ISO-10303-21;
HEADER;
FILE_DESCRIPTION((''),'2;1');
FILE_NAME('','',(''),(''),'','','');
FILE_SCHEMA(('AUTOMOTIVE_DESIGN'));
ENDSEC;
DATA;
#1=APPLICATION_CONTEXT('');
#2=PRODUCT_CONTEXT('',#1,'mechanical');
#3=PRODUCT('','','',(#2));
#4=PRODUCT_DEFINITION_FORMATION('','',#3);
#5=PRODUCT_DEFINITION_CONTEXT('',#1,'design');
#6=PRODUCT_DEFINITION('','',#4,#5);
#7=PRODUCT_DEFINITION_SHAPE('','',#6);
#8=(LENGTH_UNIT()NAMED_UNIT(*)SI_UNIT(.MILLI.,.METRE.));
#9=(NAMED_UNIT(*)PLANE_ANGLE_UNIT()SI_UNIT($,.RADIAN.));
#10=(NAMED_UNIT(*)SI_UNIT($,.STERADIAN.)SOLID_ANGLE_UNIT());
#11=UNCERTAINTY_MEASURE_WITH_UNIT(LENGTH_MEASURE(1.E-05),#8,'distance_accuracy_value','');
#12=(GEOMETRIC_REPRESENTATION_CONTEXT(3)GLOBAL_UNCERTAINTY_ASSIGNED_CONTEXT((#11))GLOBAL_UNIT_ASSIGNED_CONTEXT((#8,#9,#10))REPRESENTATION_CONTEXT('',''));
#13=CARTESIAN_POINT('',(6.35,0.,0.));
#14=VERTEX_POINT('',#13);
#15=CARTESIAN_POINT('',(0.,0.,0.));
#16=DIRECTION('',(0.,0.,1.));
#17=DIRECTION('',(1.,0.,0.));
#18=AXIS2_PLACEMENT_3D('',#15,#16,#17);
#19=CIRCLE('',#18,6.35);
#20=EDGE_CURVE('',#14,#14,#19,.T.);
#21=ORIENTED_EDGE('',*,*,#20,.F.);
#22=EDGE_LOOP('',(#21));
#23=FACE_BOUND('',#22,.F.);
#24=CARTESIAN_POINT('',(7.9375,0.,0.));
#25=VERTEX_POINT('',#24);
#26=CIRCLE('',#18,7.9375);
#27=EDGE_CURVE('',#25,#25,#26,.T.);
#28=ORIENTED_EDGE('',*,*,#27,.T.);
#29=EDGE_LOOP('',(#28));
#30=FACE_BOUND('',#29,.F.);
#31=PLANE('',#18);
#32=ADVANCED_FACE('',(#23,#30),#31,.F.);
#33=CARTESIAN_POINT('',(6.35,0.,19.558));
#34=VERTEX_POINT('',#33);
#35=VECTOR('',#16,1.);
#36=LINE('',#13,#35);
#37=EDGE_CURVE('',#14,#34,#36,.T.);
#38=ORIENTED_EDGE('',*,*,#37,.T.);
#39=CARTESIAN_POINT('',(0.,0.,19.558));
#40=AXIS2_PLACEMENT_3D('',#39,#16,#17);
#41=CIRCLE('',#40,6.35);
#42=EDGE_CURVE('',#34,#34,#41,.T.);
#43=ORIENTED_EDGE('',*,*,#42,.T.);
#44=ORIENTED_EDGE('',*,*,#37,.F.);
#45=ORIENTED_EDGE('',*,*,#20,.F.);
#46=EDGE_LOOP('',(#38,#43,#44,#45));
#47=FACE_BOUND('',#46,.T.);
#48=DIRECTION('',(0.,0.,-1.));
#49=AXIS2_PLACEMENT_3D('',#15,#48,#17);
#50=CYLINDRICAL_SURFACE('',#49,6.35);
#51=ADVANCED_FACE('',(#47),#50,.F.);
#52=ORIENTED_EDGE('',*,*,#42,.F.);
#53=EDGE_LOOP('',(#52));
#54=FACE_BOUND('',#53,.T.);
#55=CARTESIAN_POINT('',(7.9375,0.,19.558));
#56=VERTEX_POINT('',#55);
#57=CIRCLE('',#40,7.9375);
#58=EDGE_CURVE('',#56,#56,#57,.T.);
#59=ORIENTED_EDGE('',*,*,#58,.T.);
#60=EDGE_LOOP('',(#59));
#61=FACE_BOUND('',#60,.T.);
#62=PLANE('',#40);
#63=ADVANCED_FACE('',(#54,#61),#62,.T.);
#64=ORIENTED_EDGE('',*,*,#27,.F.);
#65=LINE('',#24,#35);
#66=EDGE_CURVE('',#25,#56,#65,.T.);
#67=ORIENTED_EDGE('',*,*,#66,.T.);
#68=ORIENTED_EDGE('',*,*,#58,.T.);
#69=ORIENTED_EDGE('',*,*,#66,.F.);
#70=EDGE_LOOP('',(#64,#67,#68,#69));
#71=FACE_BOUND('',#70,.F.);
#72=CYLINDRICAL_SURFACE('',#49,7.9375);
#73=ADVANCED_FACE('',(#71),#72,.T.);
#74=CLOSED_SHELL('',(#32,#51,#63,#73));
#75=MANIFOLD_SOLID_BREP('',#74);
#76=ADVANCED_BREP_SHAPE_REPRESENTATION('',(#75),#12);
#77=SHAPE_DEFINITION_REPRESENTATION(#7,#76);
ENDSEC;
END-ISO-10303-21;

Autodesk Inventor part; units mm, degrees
ref_plane "YZ Plane" through (0, 0, 0) normal (1, 0, 0) x (0, 1, 0)
ref_plane "XZ Plane" through (0, 0, 0) normal (0, 1, 0) x (-1, 0, 0)
ref_plane "XY Plane" through (0, 0, 0) normal (0, 0, 1) x (1, 0, 0)
sketch "Sketch1" plane through (0, 0, 0) normal (0, 0, 1) x (1, 0, 0)
  circle A0 centre (0, 0) radius 7.9375
  circle A1 centre (0, 0) radius 6.35
  dimension "d0" = 15.875
  dimension "d1" = 12.7
extrude "Extrusion1" add sketch "Sketch1" along normal blind 19.558
properties part number "Shaft Spacer Part2" material "PVC-Piping"
